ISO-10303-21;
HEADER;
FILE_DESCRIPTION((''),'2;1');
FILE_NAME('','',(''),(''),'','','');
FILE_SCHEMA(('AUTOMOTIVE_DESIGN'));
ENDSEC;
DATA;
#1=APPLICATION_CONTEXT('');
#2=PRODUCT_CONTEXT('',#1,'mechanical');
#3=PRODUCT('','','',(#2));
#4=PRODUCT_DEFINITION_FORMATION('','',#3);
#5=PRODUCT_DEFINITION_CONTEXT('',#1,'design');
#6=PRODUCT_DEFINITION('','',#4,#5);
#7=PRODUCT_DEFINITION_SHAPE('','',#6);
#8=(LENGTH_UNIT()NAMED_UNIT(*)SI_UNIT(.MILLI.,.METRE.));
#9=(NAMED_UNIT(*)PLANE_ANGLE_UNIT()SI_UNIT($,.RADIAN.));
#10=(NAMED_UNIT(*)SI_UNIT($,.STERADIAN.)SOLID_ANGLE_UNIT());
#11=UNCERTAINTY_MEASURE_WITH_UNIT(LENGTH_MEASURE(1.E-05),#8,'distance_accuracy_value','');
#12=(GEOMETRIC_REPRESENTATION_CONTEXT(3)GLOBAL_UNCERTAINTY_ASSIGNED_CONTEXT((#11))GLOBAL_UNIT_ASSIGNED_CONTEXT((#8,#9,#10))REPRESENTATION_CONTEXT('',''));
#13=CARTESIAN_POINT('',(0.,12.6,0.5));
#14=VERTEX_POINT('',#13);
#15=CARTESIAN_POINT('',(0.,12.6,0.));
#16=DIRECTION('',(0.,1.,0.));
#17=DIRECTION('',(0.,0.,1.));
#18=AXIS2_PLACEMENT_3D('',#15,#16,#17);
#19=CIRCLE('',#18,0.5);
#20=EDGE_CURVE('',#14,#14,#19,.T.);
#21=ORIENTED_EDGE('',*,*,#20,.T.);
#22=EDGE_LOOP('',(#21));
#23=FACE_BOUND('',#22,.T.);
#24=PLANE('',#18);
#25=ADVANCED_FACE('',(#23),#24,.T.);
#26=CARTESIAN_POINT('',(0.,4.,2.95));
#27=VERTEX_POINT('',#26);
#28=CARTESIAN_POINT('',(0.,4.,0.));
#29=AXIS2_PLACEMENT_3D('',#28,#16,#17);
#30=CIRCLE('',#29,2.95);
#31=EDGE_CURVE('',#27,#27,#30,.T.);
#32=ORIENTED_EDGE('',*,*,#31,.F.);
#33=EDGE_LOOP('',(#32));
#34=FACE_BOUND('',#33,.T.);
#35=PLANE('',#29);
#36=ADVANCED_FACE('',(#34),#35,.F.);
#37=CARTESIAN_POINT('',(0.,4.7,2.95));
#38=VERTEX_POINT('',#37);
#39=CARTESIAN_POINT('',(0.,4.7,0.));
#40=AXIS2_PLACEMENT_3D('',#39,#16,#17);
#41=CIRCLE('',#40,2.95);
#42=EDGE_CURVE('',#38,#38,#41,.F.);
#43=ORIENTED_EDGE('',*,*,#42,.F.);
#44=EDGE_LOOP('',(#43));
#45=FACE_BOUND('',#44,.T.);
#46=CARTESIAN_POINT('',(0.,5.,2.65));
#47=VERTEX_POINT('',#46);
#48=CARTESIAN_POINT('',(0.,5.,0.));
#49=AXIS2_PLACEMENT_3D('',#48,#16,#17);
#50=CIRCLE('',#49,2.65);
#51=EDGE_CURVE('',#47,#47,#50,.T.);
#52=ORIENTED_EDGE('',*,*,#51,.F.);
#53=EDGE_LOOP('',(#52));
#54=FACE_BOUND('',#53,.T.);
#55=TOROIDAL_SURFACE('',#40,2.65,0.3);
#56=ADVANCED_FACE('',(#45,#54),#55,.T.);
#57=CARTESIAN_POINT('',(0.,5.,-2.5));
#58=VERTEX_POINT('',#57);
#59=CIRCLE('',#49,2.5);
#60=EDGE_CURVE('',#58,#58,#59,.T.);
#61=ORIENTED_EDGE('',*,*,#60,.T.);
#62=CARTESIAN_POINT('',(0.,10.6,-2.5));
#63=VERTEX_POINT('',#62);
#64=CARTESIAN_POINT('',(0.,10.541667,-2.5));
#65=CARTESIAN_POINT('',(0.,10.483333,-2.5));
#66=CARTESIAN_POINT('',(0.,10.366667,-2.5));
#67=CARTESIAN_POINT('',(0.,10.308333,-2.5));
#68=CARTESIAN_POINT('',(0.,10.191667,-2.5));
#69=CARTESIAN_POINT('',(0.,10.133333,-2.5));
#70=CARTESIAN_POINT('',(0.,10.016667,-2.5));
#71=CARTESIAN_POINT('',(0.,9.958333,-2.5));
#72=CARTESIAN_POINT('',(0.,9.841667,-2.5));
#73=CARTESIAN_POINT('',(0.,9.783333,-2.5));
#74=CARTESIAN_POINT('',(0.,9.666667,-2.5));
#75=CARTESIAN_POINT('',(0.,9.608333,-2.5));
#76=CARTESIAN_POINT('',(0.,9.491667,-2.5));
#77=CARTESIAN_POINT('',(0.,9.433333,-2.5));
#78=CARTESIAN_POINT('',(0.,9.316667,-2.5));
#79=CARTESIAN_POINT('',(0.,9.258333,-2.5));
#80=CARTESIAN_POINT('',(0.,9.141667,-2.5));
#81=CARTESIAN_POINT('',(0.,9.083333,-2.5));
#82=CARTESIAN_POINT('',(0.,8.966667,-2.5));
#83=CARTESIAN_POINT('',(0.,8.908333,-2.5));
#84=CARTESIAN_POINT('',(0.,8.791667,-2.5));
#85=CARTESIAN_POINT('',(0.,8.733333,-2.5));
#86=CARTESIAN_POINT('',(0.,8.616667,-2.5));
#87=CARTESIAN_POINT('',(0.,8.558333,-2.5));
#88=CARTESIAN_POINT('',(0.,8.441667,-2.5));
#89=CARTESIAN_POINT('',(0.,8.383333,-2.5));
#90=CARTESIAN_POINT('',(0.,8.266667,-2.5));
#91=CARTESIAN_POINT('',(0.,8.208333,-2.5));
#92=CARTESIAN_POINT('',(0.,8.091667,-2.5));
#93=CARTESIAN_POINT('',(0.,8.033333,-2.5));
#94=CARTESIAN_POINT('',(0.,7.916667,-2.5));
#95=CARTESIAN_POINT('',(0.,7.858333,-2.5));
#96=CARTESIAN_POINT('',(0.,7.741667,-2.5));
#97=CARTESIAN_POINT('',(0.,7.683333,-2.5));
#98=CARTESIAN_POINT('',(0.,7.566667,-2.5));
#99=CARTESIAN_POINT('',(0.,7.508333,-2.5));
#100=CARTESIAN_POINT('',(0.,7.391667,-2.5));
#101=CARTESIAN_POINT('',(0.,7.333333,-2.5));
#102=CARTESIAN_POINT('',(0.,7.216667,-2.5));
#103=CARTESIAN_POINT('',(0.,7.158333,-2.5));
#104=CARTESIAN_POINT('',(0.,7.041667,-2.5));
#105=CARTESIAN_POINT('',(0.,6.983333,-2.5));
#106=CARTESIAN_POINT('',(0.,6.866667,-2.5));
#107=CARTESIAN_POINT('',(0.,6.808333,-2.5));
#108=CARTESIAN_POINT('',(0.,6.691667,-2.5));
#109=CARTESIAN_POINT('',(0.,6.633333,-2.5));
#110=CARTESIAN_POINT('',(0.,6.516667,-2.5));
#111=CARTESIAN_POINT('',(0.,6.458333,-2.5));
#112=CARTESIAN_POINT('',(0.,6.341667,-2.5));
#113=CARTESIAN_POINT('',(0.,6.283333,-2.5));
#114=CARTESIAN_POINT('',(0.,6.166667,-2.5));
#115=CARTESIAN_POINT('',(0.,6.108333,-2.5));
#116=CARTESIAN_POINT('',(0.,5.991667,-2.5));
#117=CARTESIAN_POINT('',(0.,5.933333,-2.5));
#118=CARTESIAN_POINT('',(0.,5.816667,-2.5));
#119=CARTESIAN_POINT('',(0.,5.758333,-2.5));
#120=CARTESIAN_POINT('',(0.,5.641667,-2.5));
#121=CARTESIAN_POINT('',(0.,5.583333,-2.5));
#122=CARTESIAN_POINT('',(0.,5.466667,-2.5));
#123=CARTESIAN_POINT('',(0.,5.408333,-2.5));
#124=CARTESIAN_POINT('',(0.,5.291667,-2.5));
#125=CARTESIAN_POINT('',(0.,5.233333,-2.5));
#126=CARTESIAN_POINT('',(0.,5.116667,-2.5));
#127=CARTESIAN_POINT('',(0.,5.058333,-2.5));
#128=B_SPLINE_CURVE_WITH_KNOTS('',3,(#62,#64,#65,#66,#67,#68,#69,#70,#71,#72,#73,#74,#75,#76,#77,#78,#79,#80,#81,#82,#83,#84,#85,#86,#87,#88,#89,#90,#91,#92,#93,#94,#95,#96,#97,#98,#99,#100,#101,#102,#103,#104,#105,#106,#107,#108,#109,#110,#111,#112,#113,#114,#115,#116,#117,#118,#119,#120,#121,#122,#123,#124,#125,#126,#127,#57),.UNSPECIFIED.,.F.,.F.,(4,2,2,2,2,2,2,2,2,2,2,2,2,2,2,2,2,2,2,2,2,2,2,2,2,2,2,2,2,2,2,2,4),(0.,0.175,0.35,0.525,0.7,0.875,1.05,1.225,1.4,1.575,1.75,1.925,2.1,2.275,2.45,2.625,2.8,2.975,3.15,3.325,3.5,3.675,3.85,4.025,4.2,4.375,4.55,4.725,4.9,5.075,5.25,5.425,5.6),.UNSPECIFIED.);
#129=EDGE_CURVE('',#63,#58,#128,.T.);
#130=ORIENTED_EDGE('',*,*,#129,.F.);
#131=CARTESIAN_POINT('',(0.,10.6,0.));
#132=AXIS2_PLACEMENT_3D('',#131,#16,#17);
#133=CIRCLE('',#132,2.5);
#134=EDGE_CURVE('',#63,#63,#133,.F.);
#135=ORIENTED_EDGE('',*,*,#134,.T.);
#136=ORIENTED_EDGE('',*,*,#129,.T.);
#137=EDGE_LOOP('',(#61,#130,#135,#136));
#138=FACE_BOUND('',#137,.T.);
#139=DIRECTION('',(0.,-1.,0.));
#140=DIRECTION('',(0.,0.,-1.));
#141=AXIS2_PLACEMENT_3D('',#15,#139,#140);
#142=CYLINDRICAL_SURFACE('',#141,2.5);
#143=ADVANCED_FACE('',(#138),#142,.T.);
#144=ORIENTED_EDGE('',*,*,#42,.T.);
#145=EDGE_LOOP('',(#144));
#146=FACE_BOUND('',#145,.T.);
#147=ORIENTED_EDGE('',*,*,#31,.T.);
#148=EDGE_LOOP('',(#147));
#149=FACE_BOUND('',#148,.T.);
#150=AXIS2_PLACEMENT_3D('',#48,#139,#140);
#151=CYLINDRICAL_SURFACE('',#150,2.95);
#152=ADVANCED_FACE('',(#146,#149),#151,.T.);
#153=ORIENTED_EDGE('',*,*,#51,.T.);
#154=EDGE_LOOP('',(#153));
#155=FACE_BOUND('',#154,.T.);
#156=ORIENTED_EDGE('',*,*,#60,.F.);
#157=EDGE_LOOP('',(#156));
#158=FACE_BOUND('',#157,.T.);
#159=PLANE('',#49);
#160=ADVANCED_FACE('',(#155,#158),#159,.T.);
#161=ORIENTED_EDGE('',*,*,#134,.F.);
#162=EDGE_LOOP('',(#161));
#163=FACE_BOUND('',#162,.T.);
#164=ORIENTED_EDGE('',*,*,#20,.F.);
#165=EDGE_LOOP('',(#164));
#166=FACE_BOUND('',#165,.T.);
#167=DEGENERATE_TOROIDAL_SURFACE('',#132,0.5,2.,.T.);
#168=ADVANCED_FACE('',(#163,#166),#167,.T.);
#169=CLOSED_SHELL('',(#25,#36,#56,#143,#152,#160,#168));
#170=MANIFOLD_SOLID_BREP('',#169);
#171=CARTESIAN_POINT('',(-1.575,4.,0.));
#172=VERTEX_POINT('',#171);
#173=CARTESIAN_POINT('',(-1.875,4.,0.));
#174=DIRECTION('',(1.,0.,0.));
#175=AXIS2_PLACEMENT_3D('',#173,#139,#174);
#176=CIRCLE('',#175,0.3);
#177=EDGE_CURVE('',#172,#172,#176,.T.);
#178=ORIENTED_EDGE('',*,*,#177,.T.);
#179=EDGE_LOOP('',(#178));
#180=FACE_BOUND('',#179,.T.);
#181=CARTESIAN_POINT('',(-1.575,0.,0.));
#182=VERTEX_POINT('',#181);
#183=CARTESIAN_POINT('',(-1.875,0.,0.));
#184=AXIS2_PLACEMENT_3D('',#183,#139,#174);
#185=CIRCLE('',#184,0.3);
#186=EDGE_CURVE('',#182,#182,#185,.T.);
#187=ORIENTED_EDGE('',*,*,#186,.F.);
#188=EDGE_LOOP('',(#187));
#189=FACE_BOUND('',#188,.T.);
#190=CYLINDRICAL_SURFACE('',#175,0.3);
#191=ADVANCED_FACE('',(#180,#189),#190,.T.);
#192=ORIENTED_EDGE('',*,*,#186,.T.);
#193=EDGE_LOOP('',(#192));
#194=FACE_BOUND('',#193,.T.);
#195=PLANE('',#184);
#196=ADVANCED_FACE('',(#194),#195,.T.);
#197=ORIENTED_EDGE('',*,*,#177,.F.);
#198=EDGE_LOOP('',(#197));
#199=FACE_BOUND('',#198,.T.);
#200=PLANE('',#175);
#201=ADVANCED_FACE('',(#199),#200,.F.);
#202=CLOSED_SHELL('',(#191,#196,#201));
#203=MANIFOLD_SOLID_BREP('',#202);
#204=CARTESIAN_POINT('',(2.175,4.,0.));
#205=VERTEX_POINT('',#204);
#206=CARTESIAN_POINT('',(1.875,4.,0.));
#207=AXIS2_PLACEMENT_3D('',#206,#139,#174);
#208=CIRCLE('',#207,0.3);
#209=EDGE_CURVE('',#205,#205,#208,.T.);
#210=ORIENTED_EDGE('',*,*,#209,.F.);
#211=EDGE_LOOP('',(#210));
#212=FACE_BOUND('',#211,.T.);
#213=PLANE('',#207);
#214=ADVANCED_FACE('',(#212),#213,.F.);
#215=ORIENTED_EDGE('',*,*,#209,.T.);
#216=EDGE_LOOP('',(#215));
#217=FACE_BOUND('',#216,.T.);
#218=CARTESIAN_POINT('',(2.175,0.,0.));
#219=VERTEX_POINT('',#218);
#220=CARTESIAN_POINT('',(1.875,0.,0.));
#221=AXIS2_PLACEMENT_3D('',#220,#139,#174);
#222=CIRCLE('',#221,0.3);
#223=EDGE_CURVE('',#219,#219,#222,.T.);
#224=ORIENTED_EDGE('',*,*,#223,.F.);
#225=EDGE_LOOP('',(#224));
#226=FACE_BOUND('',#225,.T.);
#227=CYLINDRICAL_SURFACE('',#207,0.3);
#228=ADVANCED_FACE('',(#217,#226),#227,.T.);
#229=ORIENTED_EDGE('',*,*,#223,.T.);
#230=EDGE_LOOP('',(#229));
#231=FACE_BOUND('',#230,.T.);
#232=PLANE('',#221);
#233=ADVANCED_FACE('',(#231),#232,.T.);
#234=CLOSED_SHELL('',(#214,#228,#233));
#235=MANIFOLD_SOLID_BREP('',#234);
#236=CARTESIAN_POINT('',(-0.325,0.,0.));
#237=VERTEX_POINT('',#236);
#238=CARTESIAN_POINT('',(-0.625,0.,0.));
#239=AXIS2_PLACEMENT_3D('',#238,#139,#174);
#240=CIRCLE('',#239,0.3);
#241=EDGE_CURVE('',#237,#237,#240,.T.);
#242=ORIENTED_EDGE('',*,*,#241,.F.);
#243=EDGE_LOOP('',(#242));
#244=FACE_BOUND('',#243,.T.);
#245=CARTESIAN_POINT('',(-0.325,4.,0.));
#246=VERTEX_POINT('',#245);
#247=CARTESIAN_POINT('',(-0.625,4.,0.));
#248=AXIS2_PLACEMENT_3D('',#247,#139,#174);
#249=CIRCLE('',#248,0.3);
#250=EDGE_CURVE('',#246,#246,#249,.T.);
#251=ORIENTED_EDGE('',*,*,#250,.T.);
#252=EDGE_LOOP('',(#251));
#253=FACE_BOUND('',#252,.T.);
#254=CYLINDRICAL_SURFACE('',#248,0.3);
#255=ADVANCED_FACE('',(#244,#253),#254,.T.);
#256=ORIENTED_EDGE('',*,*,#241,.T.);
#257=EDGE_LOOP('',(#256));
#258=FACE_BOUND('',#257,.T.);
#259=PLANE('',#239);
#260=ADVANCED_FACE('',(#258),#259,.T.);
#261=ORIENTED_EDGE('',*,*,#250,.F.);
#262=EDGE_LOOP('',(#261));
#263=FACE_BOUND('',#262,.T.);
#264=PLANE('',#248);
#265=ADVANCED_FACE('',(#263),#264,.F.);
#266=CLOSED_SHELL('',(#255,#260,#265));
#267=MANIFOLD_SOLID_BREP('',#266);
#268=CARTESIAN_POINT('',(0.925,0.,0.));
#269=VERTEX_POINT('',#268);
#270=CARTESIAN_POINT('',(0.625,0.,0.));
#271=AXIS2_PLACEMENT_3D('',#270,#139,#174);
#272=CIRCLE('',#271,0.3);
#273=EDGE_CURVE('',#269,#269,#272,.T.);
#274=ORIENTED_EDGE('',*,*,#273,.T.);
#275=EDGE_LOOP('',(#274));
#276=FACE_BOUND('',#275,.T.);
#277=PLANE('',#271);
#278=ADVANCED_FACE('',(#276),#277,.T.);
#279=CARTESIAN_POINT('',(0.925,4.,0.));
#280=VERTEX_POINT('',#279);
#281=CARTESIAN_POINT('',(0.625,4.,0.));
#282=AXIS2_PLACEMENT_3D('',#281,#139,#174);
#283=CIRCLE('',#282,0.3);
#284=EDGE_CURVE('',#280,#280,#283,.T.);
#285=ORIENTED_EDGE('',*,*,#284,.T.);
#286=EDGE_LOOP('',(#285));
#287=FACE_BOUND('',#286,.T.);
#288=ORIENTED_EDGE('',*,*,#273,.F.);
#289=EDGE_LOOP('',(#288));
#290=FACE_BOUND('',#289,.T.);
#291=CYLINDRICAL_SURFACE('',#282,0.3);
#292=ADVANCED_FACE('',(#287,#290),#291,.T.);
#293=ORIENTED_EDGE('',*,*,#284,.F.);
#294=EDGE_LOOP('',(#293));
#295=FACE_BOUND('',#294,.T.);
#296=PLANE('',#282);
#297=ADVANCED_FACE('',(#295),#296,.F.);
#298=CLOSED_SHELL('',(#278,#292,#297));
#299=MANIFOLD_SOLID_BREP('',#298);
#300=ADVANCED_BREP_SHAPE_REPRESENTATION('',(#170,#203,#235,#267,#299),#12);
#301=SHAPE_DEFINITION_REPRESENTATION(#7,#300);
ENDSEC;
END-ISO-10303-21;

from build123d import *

# Parameters (mm, degrees)
EXTRUDE_START          = 4
SKETCH_1_R             = 2.95
EXTRUDE_1_DEPTH        = 1
SKETCH_3_R             = 2.5
EXTRUDE_2_DEPTH        = 7.6
FILLET_1_R             = 2
FILLET_2_R             = 0.3
SWEEP_1_PROFILE_R      = 0.3
PATTERN_LINEAR_1_COUNT = 4
PATTERN_LINEAR_1_PITCH = 1.25


with BuildPart() as part:
    # Эскиз1 → Бобышка-Вытянуть1 (new body)
    with BuildSketch(Plane(origin=(0, 0, 0), x_dir=(1, 0, 0), z_dir=(0, 1, 0)).offset(EXTRUDE_START)):
        with Locations(Location((0, 0, 0), (0, 0, 270))):
            Circle(SKETCH_1_R)
    extrude(amount=EXTRUDE_1_DEPTH)

    # Эскиз3 → Бобышка-Вытянуть2 (add)
    with BuildSketch(Plane(origin=(0, 5, 0), x_dir=(1, 0, 0), z_dir=(0, 1, 0))):
        with Locations(Location((0, 0, 0), (0, 0, 90))):
            Circle(SKETCH_3_R)
    extrude(amount=EXTRUDE_2_DEPTH)

    # Скругление1
    fillet_1_edges = [part.edges().sort_by_distance(p)[0] for p in [
        (0, 12.6, 2.5),
    ]]
    fillet(fillet_1_edges, radius=FILLET_1_R)

    # Скругление2
    fillet_2_edges = [part.edges().sort_by_distance(p)[0] for p in [
        (0, 5, -2.95),
    ]]
    fillet(fillet_2_edges, radius=FILLET_2_R)


with BuildPart() as body_2:
    # По траектории1: sweep along a path in Эскиз6
    with BuildLine(Plane.XY) as sweep_1_path:
        Line((-1.875, 4), (-1.875, 0))
    # По траектории1 profile (on start of the path) → По траектории1 (sweep)
    with BuildSketch(Plane(origin=(-1.875, 4, 0), x_dir=(-1, 0, 0), z_dir=(0, -1, 0))):
        Circle(SWEEP_1_PROFILE_R)
    sweep_1 = sweep(path=sweep_1_path.line)


with BuildPart() as pattern_linear_1_1:
    # Линейный массив1: По траектории1 ×4
    with Locations(*[(i * PATTERN_LINEAR_1_PITCH, 0, 0) for i in range(1, PATTERN_LINEAR_1_COUNT)]):
        add(sweep_1)


solid = Compound([part.part, body_2.part, pattern_linear_1_1.part])
